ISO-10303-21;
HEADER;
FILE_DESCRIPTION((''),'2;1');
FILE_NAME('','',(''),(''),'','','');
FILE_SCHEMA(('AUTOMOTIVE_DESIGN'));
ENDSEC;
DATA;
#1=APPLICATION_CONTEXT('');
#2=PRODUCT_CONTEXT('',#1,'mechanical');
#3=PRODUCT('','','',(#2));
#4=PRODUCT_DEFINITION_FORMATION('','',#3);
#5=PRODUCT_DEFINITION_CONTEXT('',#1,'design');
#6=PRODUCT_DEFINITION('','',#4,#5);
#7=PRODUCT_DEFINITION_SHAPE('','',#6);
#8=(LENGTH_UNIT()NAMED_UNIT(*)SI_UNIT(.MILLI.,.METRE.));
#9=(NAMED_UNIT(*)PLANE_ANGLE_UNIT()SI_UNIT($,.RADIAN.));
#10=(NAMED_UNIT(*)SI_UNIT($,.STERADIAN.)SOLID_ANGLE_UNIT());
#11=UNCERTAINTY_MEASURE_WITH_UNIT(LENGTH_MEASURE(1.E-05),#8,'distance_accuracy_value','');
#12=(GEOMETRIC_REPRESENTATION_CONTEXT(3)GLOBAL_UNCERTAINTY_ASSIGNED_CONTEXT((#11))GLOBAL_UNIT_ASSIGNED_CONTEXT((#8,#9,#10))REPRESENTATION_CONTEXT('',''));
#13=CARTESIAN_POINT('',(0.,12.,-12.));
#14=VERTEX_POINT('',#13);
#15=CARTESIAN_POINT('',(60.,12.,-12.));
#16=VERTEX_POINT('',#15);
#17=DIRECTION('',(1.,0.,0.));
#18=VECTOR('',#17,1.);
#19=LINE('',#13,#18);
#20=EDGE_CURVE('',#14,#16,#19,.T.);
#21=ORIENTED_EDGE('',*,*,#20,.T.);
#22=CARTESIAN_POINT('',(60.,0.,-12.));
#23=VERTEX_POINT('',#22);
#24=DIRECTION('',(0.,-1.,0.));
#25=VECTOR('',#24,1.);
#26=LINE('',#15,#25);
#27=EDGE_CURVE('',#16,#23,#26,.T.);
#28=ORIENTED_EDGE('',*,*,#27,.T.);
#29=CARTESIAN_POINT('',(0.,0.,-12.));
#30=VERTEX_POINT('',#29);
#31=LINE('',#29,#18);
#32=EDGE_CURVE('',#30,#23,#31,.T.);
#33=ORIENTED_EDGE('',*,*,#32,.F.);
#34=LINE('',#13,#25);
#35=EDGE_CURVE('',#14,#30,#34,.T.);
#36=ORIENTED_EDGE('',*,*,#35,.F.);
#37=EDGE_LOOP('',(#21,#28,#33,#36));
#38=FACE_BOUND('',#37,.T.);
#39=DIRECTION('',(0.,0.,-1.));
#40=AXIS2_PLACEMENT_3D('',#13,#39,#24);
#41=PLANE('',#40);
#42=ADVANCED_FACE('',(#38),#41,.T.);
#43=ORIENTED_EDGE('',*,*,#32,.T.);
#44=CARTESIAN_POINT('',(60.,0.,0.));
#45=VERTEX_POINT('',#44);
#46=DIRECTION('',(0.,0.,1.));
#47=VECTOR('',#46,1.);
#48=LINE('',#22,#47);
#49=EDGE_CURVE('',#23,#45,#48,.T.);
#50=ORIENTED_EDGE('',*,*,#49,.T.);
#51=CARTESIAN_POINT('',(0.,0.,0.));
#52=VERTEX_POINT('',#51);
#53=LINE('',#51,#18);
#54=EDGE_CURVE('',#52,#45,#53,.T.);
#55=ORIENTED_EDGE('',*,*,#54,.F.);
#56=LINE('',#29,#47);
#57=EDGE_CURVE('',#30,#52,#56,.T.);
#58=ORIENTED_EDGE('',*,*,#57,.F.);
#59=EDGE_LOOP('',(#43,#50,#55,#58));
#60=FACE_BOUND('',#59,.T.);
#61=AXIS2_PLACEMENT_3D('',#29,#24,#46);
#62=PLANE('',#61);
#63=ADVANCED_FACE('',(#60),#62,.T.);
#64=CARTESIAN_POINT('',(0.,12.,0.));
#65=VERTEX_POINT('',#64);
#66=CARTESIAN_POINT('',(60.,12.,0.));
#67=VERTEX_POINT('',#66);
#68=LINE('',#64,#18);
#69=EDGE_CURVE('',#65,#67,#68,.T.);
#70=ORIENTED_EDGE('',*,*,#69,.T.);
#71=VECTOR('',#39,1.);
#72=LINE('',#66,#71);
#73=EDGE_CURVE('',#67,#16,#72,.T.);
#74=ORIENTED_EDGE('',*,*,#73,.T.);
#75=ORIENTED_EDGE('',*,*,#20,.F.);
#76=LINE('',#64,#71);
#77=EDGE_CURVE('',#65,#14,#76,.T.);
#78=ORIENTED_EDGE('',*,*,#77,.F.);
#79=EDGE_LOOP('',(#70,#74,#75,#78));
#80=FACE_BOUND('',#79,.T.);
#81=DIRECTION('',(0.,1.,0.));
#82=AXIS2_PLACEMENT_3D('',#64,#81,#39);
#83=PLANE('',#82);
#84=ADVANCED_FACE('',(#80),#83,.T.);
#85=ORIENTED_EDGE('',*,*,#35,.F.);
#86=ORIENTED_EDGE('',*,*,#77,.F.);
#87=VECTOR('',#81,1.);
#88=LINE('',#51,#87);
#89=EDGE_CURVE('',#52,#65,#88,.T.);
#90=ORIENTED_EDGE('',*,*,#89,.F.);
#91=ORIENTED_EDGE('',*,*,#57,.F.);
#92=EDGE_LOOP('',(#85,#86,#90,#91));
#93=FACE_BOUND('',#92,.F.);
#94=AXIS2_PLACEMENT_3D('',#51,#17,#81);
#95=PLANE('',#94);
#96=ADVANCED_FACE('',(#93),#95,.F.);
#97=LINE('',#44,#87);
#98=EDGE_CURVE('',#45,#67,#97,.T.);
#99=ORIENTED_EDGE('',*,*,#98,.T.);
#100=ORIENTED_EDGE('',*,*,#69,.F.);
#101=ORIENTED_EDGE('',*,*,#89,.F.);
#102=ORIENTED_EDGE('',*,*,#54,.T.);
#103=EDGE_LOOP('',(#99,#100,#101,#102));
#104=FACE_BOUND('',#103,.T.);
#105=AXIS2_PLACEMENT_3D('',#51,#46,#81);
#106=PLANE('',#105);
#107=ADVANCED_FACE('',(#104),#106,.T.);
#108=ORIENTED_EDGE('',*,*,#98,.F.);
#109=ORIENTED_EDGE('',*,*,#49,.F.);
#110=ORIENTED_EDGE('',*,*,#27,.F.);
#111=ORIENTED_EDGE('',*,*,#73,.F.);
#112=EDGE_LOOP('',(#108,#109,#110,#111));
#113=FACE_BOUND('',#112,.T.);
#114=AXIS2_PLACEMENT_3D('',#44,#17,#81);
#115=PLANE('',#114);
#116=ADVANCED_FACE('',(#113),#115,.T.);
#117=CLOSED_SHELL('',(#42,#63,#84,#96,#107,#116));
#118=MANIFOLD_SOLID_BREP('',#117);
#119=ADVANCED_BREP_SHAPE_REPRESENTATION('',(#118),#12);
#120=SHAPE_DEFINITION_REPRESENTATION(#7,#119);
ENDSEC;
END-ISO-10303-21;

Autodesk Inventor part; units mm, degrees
ref_plane "YZ Plane" through (0, 0, 0) normal (1, 0, 0) x (0, 1, 0)
ref_plane "XZ Plane" through (0, 0, 0) normal (0, 1, 0) x (-1, 0, 0)
ref_plane "XY Plane" through (0, 0, 0) normal (0, 0, 1) x (1, 0, 0)
sketch "Sketch1" plane through (0, 0, 0) normal (1, 0, 0) x (0, 1, 0)
  line L0 (0, 0) -> (12, 0)
  line L1 (12, 0) -> (12, -12)
  line L2 (12, -12) -> (0, -12)
  line L3 (0, -12) -> (0, 0)
  dimension "d0" = 12
  dimension "d1" = 12
extrude "Extrusion1" add sketch "Sketch1" along normal blind 60
properties part number "weight60" material "Stainless Steel"
